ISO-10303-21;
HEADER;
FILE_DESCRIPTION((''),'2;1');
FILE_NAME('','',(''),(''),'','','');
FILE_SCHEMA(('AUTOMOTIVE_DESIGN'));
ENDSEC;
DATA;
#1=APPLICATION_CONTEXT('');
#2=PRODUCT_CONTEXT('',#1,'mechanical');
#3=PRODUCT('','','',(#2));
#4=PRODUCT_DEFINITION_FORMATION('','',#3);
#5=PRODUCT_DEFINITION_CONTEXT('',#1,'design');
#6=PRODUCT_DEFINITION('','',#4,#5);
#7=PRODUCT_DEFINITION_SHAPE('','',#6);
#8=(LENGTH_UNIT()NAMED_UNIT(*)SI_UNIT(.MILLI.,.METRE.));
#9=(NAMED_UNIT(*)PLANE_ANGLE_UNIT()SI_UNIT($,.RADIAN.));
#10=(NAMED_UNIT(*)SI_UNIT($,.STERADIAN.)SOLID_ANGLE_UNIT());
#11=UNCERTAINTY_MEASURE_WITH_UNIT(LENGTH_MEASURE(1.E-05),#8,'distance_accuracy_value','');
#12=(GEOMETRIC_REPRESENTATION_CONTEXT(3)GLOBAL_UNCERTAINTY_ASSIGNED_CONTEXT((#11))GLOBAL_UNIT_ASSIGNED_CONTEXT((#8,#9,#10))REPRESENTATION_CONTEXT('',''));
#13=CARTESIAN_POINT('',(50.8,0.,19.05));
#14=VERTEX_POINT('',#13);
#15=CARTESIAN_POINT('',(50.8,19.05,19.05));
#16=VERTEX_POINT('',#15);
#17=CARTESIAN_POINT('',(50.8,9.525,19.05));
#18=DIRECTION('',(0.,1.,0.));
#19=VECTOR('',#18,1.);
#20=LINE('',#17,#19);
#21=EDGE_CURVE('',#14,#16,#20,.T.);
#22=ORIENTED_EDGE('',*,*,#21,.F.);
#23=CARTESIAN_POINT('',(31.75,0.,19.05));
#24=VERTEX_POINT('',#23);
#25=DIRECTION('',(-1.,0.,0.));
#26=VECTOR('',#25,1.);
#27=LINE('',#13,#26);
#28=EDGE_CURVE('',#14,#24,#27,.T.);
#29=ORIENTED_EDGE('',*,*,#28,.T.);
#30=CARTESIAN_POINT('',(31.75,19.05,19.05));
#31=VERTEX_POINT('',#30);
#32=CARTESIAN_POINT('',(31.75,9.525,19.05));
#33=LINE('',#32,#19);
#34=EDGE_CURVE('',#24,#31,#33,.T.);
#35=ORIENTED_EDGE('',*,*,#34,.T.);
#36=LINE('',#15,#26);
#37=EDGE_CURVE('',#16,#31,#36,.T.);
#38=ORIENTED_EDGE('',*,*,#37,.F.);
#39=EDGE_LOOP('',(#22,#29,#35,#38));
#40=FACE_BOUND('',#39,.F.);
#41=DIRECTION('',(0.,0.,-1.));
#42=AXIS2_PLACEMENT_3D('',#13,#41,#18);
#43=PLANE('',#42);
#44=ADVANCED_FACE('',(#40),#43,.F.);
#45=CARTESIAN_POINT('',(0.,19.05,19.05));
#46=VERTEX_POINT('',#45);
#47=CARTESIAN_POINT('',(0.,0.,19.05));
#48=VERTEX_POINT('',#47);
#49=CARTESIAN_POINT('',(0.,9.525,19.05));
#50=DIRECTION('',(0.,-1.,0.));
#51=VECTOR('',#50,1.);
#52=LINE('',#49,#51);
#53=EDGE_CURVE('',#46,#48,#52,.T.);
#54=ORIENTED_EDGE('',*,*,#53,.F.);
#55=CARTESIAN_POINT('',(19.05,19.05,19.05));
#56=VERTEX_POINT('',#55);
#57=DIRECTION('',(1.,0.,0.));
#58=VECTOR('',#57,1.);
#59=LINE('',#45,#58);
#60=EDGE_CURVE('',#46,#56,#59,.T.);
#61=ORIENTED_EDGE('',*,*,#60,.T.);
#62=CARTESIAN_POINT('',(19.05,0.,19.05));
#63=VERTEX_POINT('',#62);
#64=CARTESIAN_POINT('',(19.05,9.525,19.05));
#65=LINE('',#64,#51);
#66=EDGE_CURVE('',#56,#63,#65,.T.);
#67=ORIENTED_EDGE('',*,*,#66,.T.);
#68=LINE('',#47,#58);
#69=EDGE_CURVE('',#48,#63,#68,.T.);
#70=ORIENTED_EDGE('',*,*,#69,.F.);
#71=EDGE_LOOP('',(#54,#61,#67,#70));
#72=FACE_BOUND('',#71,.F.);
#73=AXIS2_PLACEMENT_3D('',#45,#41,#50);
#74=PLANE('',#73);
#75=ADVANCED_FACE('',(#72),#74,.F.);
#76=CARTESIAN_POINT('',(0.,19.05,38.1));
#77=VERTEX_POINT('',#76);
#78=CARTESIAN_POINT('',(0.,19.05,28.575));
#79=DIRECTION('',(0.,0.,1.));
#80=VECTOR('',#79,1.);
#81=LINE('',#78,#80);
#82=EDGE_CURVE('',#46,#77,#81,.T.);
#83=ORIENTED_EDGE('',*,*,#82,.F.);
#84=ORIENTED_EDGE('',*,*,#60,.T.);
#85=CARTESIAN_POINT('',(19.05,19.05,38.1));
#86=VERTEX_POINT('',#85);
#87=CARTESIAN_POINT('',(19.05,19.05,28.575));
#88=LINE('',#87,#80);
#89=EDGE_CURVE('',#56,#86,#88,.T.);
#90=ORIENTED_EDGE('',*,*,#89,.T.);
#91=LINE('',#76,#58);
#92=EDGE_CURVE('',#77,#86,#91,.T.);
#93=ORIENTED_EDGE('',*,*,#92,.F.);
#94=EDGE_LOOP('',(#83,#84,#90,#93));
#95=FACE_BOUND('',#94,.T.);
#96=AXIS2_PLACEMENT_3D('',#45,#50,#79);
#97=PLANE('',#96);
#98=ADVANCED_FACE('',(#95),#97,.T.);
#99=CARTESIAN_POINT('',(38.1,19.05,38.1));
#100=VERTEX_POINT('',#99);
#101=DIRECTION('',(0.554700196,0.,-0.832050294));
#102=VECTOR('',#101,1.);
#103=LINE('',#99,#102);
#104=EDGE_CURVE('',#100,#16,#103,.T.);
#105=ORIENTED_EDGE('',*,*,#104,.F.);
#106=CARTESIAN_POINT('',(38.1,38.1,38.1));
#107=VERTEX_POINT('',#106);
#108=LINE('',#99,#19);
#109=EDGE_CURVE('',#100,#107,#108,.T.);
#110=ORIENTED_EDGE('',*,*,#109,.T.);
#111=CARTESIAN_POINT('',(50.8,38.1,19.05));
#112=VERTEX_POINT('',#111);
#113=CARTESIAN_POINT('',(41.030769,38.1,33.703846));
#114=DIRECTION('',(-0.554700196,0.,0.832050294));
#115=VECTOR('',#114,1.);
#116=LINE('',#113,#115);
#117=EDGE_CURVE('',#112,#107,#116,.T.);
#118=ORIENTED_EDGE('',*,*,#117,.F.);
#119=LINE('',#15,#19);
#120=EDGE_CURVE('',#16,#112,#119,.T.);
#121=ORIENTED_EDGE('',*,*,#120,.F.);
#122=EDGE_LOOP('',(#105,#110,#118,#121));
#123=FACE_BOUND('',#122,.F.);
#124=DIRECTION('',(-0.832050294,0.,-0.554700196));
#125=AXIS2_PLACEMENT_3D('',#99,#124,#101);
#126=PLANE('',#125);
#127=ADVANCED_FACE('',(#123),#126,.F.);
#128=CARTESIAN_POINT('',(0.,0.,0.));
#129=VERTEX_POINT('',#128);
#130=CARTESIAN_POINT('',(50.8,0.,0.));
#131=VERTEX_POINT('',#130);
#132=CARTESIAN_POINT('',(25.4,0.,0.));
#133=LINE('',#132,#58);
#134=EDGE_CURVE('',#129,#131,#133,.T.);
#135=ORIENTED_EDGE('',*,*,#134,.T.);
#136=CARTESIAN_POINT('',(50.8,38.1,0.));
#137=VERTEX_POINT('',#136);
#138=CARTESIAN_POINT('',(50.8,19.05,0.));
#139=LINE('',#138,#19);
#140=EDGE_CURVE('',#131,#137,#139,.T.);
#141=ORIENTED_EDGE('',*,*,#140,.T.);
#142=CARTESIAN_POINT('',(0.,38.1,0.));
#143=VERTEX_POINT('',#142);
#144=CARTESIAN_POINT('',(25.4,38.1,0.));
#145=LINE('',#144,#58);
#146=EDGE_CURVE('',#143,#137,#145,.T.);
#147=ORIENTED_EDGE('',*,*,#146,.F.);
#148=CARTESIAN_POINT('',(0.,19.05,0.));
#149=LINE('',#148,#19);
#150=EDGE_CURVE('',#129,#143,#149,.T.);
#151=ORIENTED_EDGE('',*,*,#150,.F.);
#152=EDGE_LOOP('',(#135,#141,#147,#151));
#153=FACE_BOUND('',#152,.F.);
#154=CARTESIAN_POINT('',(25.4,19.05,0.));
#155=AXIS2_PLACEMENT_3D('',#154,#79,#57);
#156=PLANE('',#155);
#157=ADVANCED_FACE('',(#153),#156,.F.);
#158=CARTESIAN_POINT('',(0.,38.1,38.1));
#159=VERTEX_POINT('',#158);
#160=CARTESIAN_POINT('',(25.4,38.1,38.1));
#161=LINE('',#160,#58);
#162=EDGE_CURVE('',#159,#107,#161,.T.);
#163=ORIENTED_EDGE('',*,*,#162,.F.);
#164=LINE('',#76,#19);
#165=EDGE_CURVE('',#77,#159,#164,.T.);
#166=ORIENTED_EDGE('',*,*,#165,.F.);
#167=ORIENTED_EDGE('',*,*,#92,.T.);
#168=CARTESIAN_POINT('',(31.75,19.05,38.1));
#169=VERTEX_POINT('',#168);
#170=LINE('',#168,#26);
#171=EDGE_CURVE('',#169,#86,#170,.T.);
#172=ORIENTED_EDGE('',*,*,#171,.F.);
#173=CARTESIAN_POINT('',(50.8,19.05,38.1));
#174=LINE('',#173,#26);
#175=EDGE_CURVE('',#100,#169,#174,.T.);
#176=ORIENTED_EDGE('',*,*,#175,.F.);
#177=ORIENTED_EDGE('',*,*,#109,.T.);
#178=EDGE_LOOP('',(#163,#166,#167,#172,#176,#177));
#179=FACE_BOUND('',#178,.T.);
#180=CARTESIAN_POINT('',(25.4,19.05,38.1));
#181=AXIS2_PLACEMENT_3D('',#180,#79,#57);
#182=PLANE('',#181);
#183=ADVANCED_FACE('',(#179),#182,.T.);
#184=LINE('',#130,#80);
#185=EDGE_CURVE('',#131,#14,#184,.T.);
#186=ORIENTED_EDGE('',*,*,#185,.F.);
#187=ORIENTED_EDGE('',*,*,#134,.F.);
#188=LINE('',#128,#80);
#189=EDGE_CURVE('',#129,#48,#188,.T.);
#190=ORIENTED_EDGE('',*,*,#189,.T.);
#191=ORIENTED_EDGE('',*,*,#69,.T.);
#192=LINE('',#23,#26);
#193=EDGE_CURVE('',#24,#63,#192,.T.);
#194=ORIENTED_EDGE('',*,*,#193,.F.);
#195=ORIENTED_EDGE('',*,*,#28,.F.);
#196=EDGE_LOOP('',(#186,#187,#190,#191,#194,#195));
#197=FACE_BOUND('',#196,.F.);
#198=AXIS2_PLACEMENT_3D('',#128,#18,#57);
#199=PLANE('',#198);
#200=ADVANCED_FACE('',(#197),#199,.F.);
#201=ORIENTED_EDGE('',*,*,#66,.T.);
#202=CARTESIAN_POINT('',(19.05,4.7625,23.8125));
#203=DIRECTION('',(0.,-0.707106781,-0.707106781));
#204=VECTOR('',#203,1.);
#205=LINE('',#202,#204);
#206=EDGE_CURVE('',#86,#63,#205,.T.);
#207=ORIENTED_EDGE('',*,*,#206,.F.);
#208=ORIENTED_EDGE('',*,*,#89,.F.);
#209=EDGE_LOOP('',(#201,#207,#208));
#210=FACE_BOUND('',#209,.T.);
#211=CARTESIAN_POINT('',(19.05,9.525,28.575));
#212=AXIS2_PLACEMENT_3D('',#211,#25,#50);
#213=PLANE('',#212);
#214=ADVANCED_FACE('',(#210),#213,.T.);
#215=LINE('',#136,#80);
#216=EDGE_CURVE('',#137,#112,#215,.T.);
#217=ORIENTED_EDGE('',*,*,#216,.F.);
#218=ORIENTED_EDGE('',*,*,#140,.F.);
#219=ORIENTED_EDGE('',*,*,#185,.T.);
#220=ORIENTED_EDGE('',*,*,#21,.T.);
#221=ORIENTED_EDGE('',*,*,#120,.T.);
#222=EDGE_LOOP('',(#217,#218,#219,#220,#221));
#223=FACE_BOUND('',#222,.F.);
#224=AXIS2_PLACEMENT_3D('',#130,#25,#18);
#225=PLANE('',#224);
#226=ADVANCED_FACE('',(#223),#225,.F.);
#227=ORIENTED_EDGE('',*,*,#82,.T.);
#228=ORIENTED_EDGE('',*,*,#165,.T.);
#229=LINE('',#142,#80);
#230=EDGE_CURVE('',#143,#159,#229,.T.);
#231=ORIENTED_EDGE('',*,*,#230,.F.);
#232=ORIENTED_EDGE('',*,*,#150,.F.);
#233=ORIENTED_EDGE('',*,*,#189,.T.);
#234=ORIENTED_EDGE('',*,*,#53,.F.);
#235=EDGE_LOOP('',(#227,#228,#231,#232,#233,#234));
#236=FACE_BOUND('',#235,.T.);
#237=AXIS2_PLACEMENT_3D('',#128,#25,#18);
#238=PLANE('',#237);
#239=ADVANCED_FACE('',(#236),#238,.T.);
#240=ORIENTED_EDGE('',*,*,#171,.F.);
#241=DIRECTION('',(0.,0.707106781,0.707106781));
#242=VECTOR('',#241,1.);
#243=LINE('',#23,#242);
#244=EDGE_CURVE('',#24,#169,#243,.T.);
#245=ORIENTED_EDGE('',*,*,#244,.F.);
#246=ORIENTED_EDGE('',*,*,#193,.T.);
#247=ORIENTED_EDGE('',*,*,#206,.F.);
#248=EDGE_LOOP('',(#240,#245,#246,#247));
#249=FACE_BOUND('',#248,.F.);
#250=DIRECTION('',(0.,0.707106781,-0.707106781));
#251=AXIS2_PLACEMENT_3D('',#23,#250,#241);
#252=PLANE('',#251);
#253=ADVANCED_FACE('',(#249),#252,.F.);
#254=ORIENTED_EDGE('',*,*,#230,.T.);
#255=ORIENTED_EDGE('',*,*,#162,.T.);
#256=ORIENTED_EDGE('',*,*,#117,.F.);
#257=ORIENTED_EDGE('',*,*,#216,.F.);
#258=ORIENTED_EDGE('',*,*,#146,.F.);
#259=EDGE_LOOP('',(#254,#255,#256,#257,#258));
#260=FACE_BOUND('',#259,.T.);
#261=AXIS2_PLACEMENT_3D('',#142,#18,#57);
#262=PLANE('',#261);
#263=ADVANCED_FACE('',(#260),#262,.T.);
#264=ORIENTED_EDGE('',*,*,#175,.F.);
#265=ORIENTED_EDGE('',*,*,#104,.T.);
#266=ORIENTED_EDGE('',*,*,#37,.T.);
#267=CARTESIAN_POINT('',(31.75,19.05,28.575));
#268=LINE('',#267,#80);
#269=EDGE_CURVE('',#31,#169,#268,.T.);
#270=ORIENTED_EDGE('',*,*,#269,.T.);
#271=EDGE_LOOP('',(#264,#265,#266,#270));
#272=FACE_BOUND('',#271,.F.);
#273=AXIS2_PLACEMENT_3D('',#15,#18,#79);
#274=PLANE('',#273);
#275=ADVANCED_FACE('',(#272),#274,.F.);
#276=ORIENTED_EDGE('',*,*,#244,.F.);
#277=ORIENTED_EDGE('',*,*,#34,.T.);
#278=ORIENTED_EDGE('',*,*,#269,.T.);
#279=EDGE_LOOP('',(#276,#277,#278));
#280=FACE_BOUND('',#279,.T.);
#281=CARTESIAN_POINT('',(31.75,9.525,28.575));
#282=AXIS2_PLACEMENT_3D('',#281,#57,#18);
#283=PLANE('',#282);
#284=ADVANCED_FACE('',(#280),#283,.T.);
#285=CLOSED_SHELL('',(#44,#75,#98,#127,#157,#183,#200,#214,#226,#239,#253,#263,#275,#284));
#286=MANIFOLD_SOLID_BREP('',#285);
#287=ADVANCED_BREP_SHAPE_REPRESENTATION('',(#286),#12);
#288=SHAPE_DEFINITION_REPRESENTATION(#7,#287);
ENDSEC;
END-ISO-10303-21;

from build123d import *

# Parameters (mm, degrees)
F0_W     = 50.8
F0_H     = 38.1
F1_DEPTH = 38.1
F2_W     = 19.05
F2_H     = 19.05
F3_DEPTH = 19.05
F4_W     = 19.05
F4_H     = 19.05
F5_DEPTH = 19.05
F7_DEPTH = 31.751
F9_DEPTH = 19.051


with BuildPart() as f1:
    # F0 (on Top) → F1 (new body)
    with BuildSketch(Plane.XY):
        with Locations((25.4, 19.05)):
            Rectangle(F0_W, F0_H)
    extrude(amount=F1_DEPTH)

    # F2 (on face) → F3 (cut)
    with BuildSketch(Plane(origin=(0, 0, 0), x_dir=(0, -1, 0), z_dir=(-1, 0, 0))):
        with Locations((-9.525, 28.575)):
            Rectangle(F2_W, F2_H)
    extrude(amount=-F3_DEPTH, mode=Mode.SUBTRACT)

    # F4 (on face) → F5 (cut)
    with BuildSketch(Plane.YZ.offset(50.8)):
        with Locations((9.525, 28.575)):
            Rectangle(F4_W, F4_H)
    extrude(amount=-F5_DEPTH, mode=Mode.SUBTRACT)

    # F6 (on face) → F7 (cut, through all)
    with BuildSketch(Plane.YZ.offset(31.75)):
        Polygon((0, 38.1), (0, 19.05), (19.05, 38.1), align=None)
    extrude(amount=-F7_DEPTH, mode=Mode.SUBTRACT)

    # F8 (on face) → F9 (cut, through all)
    with BuildSketch(Plane.XZ.offset(-19.05)):
        Polygon((50.8, 38.1), (38.1, 38.1), (50.8, 19.05), align=None)
    extrude(amount=-F9_DEPTH, mode=Mode.SUBTRACT)


solid = f1.part
